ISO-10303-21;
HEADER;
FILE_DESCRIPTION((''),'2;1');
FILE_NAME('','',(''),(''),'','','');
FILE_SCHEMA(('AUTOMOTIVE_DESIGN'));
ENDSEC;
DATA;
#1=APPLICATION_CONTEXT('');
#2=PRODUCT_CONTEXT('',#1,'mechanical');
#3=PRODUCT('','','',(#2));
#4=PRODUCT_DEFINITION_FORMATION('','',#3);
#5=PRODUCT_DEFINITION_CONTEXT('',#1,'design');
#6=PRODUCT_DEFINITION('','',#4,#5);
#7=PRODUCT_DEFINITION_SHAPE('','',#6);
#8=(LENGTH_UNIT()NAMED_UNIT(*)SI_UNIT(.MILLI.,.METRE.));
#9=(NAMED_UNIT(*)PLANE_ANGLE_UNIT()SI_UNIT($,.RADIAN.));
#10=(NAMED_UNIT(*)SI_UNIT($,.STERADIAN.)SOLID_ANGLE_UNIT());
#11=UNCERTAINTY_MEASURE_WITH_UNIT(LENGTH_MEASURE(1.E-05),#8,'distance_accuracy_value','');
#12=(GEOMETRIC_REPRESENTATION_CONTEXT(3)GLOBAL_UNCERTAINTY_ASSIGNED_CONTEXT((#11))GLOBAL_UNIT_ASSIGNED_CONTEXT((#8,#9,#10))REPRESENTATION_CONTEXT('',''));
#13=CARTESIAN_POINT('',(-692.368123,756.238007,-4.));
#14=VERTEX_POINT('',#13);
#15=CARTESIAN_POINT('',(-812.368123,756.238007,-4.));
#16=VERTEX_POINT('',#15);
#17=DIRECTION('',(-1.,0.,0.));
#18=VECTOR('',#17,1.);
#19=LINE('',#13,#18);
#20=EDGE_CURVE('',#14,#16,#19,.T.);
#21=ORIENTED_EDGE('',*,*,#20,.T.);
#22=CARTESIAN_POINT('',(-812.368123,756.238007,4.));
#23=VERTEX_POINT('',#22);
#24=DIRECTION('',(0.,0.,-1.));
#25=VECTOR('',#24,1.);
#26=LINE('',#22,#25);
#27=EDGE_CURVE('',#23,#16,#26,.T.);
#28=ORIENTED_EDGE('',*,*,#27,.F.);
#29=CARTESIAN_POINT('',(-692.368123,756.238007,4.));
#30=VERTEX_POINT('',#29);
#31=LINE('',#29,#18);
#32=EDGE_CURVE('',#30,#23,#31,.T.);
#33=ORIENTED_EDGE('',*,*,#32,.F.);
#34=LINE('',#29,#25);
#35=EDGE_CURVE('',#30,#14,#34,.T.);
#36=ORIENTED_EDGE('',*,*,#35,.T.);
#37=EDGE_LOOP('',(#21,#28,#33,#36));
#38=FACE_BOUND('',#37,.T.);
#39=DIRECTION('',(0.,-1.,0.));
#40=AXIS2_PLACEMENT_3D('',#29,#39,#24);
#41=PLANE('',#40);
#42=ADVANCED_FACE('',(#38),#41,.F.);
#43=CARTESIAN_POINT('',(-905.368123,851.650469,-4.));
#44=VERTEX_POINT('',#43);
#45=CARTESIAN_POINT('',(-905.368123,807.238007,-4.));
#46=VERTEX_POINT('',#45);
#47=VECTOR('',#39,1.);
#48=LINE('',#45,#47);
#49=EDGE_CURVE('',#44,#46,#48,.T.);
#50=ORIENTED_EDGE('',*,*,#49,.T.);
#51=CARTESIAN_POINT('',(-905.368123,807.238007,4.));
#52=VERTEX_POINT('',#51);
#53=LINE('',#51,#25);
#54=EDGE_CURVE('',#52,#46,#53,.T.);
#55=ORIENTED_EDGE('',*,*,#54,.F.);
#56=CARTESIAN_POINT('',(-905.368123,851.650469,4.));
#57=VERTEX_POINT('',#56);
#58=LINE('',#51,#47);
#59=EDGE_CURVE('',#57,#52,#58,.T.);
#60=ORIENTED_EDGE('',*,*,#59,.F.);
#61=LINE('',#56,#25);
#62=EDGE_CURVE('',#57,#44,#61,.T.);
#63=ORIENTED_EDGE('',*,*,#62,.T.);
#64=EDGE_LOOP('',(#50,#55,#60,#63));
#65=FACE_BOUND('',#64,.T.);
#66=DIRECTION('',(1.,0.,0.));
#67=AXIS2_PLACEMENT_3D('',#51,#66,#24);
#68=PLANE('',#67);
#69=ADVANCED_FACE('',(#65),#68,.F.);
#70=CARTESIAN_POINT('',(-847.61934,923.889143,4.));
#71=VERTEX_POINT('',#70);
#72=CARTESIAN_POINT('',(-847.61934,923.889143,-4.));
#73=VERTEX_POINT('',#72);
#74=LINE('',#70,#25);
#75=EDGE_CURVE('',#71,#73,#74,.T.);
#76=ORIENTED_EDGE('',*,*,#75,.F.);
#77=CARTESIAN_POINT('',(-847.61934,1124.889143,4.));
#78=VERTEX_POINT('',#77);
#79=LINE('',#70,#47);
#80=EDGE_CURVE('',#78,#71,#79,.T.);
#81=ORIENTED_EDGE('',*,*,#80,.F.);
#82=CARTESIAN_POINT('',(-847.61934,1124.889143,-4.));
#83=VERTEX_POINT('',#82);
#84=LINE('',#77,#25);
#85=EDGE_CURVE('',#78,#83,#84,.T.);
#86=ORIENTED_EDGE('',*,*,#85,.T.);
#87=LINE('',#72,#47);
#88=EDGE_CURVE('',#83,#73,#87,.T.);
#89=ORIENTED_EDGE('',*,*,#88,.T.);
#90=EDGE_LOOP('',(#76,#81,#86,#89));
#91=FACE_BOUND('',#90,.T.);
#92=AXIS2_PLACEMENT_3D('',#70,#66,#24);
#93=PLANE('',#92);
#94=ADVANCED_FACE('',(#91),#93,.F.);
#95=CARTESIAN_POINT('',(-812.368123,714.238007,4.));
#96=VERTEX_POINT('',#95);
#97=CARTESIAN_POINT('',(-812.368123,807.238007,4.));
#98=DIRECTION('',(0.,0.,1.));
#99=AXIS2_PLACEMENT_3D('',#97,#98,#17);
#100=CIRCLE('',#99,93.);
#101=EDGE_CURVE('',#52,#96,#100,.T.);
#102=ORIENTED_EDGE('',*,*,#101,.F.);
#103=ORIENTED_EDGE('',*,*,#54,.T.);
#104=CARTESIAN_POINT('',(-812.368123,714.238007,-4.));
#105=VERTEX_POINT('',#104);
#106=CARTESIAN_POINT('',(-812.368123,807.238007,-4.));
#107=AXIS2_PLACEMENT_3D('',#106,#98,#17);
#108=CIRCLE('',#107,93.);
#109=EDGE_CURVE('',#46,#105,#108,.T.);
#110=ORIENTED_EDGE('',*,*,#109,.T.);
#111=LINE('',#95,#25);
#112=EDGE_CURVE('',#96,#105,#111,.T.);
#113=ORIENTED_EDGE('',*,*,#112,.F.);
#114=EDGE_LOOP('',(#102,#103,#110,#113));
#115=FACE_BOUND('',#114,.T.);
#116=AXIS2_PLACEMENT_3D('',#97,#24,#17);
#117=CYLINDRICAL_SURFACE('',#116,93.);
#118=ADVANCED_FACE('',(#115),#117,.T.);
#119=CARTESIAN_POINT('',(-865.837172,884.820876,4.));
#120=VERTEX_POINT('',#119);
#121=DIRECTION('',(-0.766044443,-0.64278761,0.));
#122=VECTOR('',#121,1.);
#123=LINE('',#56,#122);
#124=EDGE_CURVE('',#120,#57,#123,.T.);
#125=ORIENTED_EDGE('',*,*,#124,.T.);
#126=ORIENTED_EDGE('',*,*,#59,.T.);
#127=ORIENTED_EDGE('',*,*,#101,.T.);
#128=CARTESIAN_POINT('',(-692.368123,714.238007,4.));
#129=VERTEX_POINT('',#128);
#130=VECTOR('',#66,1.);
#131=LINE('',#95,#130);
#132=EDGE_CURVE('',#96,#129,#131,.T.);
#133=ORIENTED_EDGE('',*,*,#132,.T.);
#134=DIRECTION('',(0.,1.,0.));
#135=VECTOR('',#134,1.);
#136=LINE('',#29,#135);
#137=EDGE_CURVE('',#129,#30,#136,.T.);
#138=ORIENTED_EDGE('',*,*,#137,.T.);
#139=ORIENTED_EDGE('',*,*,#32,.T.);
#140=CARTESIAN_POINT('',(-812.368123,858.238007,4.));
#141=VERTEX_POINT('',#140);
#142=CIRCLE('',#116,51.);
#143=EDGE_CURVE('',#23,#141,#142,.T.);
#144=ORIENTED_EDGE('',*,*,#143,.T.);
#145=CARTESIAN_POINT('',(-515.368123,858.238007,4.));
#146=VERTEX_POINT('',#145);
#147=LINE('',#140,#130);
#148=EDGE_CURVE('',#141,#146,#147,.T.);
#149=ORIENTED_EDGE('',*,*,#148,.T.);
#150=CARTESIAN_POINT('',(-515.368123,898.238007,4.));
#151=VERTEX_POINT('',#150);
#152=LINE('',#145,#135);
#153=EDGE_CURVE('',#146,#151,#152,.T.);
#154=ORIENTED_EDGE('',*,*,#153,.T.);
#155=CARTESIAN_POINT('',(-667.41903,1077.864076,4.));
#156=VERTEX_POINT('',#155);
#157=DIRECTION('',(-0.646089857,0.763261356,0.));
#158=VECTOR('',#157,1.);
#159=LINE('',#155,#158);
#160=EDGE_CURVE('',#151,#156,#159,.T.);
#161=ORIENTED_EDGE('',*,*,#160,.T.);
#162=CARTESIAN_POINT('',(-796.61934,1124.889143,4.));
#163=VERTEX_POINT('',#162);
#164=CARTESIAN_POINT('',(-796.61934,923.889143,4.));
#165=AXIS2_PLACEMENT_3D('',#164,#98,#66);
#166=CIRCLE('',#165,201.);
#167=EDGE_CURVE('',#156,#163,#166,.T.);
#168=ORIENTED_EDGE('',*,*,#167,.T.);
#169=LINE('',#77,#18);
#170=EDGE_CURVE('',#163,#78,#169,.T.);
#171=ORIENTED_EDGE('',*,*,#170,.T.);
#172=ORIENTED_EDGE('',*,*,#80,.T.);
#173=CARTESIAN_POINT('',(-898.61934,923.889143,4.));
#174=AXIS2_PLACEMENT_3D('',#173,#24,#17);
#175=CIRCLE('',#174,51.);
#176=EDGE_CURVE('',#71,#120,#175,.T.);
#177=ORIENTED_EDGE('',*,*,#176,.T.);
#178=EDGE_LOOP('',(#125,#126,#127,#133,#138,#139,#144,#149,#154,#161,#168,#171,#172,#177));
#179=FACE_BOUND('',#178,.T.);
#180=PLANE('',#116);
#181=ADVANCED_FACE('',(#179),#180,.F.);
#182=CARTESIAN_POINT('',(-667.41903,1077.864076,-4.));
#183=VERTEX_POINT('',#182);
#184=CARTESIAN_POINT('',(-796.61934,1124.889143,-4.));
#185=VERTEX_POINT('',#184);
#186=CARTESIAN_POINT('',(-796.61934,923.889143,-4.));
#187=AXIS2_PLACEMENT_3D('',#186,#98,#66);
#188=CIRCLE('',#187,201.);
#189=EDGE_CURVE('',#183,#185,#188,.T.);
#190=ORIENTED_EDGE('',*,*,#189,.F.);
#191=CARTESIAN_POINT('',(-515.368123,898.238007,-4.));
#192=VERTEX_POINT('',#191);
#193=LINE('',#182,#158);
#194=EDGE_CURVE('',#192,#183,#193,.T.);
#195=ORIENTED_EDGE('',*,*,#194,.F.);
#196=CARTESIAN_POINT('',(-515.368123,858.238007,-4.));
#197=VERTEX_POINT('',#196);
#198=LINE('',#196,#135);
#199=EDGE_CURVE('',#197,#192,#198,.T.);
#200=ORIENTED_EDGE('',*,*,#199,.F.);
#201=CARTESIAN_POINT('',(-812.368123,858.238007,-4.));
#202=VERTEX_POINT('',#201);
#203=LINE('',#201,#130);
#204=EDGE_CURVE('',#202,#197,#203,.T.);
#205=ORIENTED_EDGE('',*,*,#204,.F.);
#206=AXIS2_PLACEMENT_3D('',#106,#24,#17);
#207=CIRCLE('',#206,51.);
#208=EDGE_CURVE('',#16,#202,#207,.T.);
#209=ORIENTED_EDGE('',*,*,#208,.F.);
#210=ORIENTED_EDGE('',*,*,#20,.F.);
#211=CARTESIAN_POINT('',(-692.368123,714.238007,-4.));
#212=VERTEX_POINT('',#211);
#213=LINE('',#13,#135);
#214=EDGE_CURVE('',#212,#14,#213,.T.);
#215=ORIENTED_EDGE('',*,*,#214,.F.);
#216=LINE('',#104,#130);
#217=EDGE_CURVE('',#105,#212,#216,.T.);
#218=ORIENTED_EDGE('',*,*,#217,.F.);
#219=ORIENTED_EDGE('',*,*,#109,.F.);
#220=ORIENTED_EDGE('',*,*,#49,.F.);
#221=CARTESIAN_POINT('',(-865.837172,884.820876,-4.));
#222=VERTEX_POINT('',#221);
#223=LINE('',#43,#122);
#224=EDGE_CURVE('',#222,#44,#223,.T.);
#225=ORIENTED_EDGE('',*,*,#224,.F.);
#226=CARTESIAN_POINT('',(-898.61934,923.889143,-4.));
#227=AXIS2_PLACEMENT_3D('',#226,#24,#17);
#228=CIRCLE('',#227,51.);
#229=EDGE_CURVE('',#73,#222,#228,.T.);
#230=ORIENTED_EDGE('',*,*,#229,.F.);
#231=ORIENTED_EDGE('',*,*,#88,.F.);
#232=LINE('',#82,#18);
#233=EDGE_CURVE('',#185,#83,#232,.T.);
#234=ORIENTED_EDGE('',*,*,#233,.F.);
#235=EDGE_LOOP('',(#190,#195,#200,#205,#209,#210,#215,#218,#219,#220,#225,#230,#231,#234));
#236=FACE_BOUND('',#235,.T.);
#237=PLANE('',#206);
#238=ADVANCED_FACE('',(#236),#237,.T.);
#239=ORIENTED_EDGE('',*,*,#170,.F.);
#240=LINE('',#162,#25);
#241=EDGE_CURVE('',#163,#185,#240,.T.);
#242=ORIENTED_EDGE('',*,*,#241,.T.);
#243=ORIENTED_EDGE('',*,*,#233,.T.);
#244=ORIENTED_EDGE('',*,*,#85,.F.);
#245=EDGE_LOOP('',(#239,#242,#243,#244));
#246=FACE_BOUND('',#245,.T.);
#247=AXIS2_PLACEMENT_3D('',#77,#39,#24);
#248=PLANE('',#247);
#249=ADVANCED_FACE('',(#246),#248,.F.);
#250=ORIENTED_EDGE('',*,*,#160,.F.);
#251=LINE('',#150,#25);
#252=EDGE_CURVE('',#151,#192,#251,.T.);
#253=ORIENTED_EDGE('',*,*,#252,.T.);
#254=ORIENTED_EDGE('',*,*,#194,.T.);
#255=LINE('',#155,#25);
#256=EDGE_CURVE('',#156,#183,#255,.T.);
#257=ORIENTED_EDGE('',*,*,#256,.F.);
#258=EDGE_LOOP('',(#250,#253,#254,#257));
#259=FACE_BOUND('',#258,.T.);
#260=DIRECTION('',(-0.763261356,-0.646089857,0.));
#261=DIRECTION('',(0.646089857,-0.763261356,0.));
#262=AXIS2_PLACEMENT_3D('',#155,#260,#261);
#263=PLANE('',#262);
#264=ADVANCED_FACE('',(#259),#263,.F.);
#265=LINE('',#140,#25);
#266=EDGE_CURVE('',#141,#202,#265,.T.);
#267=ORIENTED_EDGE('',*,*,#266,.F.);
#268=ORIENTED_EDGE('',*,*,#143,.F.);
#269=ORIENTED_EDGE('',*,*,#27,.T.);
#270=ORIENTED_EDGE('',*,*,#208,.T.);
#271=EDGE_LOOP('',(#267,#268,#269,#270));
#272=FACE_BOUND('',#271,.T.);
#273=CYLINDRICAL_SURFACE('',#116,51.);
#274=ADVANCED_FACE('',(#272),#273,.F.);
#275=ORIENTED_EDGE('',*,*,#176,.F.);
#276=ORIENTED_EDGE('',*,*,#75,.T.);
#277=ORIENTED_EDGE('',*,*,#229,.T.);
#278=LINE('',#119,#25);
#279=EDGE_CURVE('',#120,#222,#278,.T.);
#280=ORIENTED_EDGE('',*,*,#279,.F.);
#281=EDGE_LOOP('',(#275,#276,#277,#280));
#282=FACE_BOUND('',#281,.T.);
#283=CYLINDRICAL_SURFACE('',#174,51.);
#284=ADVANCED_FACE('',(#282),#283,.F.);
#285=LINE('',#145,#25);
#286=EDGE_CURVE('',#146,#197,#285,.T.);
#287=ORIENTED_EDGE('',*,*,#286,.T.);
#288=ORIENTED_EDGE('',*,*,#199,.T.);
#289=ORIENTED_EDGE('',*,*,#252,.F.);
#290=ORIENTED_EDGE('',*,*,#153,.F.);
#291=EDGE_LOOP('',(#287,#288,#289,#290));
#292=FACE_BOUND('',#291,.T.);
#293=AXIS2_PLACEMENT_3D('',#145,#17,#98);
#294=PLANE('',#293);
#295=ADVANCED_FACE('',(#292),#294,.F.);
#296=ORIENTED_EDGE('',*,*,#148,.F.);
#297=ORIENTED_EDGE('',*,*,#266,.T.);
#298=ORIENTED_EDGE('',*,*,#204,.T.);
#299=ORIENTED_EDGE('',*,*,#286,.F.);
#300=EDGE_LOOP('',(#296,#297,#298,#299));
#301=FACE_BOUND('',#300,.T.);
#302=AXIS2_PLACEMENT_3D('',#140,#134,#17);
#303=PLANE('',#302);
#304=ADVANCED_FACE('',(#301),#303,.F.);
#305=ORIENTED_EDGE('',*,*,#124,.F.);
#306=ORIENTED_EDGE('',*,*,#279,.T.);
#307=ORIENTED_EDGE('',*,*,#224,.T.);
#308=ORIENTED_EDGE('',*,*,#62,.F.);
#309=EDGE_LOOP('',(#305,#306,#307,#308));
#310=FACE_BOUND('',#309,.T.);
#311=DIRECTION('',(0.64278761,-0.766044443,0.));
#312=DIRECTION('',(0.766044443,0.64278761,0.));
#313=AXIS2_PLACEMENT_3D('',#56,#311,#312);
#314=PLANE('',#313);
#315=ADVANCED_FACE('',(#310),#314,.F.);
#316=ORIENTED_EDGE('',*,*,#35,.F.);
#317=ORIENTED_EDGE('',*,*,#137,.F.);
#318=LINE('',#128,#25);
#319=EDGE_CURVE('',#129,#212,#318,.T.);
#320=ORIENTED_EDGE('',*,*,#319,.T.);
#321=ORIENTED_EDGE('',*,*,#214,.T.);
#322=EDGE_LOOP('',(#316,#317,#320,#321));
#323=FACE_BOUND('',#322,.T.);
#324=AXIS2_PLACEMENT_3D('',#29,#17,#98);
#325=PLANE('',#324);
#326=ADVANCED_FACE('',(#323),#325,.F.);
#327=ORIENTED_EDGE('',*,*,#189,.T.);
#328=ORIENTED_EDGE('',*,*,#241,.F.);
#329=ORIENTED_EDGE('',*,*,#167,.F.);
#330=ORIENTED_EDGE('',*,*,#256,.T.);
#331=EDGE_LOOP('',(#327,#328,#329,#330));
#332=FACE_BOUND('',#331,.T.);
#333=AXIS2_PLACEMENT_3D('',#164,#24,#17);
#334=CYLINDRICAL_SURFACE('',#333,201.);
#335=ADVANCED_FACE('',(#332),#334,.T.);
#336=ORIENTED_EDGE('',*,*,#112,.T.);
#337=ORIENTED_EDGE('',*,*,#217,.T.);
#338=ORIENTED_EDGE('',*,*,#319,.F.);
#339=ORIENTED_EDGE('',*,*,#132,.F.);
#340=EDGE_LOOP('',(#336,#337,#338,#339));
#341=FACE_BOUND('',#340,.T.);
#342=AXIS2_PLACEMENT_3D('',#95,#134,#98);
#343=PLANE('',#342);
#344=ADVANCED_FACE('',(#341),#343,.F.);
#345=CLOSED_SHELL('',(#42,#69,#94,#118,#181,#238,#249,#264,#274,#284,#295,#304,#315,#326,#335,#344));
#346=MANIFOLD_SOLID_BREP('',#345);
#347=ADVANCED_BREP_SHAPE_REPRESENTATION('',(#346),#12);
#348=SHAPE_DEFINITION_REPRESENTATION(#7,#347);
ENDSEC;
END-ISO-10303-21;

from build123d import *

# Parameters (mm, degrees)
EXTRUDE_1_DEPTH = 4


with BuildPart() as part:
    # 草图1 → 凸台-拉伸1 (new, symmetric)
    with BuildSketch(Plane.XY):
        with BuildLine():
            Line((-692.368123223, 756.238006891), (-692.368123223, 714.238006891))
            Line((-692.368123223, 714.238006891), (-812.368123223, 714.238006891))
            ThreePointArc((-812.368123223, 714.238006891), (-878.129053873, 741.477076241), (-905.368123223, 807.238006891))
            Line((-905.368123223, 807.238006891), (-905.368123223, 851.650469452))
            Line((-905.368123223, 851.650469452), (-865.837171529, 884.820876438))
            ThreePointArc((-865.837171529, 884.820876438), (-852.397642484, 902.335611688), (-847.619339623, 923.889143037))
            Line((-847.619339623, 923.889143037), (-847.619339623, 1124.889143037))
            Line((-847.619339623, 1124.889143037), (-796.619339623, 1124.889143037))
            ThreePointArc((-796.619339623, 1124.889143037), (-727.873290815, 1112.767359815), (-667.419030076, 1077.864076104))
            Line((-667.419030076, 1077.864076104), (-515.368123223, 898.238006891))
            Line((-515.368123223, 898.238006891), (-515.368123223, 858.238006891))
            Line((-515.368123223, 858.238006891), (-812.368123223, 858.238006891))
            ThreePointArc((-812.368123223, 858.238006891), (-863.368123223, 807.238006891), (-812.368123223, 756.238006891))
            Line((-812.368123223, 756.238006891), (-692.368123223, 756.238006891))
        make_face()
    extrude(amount=EXTRUDE_1_DEPTH, both=True)


solid = part.part
